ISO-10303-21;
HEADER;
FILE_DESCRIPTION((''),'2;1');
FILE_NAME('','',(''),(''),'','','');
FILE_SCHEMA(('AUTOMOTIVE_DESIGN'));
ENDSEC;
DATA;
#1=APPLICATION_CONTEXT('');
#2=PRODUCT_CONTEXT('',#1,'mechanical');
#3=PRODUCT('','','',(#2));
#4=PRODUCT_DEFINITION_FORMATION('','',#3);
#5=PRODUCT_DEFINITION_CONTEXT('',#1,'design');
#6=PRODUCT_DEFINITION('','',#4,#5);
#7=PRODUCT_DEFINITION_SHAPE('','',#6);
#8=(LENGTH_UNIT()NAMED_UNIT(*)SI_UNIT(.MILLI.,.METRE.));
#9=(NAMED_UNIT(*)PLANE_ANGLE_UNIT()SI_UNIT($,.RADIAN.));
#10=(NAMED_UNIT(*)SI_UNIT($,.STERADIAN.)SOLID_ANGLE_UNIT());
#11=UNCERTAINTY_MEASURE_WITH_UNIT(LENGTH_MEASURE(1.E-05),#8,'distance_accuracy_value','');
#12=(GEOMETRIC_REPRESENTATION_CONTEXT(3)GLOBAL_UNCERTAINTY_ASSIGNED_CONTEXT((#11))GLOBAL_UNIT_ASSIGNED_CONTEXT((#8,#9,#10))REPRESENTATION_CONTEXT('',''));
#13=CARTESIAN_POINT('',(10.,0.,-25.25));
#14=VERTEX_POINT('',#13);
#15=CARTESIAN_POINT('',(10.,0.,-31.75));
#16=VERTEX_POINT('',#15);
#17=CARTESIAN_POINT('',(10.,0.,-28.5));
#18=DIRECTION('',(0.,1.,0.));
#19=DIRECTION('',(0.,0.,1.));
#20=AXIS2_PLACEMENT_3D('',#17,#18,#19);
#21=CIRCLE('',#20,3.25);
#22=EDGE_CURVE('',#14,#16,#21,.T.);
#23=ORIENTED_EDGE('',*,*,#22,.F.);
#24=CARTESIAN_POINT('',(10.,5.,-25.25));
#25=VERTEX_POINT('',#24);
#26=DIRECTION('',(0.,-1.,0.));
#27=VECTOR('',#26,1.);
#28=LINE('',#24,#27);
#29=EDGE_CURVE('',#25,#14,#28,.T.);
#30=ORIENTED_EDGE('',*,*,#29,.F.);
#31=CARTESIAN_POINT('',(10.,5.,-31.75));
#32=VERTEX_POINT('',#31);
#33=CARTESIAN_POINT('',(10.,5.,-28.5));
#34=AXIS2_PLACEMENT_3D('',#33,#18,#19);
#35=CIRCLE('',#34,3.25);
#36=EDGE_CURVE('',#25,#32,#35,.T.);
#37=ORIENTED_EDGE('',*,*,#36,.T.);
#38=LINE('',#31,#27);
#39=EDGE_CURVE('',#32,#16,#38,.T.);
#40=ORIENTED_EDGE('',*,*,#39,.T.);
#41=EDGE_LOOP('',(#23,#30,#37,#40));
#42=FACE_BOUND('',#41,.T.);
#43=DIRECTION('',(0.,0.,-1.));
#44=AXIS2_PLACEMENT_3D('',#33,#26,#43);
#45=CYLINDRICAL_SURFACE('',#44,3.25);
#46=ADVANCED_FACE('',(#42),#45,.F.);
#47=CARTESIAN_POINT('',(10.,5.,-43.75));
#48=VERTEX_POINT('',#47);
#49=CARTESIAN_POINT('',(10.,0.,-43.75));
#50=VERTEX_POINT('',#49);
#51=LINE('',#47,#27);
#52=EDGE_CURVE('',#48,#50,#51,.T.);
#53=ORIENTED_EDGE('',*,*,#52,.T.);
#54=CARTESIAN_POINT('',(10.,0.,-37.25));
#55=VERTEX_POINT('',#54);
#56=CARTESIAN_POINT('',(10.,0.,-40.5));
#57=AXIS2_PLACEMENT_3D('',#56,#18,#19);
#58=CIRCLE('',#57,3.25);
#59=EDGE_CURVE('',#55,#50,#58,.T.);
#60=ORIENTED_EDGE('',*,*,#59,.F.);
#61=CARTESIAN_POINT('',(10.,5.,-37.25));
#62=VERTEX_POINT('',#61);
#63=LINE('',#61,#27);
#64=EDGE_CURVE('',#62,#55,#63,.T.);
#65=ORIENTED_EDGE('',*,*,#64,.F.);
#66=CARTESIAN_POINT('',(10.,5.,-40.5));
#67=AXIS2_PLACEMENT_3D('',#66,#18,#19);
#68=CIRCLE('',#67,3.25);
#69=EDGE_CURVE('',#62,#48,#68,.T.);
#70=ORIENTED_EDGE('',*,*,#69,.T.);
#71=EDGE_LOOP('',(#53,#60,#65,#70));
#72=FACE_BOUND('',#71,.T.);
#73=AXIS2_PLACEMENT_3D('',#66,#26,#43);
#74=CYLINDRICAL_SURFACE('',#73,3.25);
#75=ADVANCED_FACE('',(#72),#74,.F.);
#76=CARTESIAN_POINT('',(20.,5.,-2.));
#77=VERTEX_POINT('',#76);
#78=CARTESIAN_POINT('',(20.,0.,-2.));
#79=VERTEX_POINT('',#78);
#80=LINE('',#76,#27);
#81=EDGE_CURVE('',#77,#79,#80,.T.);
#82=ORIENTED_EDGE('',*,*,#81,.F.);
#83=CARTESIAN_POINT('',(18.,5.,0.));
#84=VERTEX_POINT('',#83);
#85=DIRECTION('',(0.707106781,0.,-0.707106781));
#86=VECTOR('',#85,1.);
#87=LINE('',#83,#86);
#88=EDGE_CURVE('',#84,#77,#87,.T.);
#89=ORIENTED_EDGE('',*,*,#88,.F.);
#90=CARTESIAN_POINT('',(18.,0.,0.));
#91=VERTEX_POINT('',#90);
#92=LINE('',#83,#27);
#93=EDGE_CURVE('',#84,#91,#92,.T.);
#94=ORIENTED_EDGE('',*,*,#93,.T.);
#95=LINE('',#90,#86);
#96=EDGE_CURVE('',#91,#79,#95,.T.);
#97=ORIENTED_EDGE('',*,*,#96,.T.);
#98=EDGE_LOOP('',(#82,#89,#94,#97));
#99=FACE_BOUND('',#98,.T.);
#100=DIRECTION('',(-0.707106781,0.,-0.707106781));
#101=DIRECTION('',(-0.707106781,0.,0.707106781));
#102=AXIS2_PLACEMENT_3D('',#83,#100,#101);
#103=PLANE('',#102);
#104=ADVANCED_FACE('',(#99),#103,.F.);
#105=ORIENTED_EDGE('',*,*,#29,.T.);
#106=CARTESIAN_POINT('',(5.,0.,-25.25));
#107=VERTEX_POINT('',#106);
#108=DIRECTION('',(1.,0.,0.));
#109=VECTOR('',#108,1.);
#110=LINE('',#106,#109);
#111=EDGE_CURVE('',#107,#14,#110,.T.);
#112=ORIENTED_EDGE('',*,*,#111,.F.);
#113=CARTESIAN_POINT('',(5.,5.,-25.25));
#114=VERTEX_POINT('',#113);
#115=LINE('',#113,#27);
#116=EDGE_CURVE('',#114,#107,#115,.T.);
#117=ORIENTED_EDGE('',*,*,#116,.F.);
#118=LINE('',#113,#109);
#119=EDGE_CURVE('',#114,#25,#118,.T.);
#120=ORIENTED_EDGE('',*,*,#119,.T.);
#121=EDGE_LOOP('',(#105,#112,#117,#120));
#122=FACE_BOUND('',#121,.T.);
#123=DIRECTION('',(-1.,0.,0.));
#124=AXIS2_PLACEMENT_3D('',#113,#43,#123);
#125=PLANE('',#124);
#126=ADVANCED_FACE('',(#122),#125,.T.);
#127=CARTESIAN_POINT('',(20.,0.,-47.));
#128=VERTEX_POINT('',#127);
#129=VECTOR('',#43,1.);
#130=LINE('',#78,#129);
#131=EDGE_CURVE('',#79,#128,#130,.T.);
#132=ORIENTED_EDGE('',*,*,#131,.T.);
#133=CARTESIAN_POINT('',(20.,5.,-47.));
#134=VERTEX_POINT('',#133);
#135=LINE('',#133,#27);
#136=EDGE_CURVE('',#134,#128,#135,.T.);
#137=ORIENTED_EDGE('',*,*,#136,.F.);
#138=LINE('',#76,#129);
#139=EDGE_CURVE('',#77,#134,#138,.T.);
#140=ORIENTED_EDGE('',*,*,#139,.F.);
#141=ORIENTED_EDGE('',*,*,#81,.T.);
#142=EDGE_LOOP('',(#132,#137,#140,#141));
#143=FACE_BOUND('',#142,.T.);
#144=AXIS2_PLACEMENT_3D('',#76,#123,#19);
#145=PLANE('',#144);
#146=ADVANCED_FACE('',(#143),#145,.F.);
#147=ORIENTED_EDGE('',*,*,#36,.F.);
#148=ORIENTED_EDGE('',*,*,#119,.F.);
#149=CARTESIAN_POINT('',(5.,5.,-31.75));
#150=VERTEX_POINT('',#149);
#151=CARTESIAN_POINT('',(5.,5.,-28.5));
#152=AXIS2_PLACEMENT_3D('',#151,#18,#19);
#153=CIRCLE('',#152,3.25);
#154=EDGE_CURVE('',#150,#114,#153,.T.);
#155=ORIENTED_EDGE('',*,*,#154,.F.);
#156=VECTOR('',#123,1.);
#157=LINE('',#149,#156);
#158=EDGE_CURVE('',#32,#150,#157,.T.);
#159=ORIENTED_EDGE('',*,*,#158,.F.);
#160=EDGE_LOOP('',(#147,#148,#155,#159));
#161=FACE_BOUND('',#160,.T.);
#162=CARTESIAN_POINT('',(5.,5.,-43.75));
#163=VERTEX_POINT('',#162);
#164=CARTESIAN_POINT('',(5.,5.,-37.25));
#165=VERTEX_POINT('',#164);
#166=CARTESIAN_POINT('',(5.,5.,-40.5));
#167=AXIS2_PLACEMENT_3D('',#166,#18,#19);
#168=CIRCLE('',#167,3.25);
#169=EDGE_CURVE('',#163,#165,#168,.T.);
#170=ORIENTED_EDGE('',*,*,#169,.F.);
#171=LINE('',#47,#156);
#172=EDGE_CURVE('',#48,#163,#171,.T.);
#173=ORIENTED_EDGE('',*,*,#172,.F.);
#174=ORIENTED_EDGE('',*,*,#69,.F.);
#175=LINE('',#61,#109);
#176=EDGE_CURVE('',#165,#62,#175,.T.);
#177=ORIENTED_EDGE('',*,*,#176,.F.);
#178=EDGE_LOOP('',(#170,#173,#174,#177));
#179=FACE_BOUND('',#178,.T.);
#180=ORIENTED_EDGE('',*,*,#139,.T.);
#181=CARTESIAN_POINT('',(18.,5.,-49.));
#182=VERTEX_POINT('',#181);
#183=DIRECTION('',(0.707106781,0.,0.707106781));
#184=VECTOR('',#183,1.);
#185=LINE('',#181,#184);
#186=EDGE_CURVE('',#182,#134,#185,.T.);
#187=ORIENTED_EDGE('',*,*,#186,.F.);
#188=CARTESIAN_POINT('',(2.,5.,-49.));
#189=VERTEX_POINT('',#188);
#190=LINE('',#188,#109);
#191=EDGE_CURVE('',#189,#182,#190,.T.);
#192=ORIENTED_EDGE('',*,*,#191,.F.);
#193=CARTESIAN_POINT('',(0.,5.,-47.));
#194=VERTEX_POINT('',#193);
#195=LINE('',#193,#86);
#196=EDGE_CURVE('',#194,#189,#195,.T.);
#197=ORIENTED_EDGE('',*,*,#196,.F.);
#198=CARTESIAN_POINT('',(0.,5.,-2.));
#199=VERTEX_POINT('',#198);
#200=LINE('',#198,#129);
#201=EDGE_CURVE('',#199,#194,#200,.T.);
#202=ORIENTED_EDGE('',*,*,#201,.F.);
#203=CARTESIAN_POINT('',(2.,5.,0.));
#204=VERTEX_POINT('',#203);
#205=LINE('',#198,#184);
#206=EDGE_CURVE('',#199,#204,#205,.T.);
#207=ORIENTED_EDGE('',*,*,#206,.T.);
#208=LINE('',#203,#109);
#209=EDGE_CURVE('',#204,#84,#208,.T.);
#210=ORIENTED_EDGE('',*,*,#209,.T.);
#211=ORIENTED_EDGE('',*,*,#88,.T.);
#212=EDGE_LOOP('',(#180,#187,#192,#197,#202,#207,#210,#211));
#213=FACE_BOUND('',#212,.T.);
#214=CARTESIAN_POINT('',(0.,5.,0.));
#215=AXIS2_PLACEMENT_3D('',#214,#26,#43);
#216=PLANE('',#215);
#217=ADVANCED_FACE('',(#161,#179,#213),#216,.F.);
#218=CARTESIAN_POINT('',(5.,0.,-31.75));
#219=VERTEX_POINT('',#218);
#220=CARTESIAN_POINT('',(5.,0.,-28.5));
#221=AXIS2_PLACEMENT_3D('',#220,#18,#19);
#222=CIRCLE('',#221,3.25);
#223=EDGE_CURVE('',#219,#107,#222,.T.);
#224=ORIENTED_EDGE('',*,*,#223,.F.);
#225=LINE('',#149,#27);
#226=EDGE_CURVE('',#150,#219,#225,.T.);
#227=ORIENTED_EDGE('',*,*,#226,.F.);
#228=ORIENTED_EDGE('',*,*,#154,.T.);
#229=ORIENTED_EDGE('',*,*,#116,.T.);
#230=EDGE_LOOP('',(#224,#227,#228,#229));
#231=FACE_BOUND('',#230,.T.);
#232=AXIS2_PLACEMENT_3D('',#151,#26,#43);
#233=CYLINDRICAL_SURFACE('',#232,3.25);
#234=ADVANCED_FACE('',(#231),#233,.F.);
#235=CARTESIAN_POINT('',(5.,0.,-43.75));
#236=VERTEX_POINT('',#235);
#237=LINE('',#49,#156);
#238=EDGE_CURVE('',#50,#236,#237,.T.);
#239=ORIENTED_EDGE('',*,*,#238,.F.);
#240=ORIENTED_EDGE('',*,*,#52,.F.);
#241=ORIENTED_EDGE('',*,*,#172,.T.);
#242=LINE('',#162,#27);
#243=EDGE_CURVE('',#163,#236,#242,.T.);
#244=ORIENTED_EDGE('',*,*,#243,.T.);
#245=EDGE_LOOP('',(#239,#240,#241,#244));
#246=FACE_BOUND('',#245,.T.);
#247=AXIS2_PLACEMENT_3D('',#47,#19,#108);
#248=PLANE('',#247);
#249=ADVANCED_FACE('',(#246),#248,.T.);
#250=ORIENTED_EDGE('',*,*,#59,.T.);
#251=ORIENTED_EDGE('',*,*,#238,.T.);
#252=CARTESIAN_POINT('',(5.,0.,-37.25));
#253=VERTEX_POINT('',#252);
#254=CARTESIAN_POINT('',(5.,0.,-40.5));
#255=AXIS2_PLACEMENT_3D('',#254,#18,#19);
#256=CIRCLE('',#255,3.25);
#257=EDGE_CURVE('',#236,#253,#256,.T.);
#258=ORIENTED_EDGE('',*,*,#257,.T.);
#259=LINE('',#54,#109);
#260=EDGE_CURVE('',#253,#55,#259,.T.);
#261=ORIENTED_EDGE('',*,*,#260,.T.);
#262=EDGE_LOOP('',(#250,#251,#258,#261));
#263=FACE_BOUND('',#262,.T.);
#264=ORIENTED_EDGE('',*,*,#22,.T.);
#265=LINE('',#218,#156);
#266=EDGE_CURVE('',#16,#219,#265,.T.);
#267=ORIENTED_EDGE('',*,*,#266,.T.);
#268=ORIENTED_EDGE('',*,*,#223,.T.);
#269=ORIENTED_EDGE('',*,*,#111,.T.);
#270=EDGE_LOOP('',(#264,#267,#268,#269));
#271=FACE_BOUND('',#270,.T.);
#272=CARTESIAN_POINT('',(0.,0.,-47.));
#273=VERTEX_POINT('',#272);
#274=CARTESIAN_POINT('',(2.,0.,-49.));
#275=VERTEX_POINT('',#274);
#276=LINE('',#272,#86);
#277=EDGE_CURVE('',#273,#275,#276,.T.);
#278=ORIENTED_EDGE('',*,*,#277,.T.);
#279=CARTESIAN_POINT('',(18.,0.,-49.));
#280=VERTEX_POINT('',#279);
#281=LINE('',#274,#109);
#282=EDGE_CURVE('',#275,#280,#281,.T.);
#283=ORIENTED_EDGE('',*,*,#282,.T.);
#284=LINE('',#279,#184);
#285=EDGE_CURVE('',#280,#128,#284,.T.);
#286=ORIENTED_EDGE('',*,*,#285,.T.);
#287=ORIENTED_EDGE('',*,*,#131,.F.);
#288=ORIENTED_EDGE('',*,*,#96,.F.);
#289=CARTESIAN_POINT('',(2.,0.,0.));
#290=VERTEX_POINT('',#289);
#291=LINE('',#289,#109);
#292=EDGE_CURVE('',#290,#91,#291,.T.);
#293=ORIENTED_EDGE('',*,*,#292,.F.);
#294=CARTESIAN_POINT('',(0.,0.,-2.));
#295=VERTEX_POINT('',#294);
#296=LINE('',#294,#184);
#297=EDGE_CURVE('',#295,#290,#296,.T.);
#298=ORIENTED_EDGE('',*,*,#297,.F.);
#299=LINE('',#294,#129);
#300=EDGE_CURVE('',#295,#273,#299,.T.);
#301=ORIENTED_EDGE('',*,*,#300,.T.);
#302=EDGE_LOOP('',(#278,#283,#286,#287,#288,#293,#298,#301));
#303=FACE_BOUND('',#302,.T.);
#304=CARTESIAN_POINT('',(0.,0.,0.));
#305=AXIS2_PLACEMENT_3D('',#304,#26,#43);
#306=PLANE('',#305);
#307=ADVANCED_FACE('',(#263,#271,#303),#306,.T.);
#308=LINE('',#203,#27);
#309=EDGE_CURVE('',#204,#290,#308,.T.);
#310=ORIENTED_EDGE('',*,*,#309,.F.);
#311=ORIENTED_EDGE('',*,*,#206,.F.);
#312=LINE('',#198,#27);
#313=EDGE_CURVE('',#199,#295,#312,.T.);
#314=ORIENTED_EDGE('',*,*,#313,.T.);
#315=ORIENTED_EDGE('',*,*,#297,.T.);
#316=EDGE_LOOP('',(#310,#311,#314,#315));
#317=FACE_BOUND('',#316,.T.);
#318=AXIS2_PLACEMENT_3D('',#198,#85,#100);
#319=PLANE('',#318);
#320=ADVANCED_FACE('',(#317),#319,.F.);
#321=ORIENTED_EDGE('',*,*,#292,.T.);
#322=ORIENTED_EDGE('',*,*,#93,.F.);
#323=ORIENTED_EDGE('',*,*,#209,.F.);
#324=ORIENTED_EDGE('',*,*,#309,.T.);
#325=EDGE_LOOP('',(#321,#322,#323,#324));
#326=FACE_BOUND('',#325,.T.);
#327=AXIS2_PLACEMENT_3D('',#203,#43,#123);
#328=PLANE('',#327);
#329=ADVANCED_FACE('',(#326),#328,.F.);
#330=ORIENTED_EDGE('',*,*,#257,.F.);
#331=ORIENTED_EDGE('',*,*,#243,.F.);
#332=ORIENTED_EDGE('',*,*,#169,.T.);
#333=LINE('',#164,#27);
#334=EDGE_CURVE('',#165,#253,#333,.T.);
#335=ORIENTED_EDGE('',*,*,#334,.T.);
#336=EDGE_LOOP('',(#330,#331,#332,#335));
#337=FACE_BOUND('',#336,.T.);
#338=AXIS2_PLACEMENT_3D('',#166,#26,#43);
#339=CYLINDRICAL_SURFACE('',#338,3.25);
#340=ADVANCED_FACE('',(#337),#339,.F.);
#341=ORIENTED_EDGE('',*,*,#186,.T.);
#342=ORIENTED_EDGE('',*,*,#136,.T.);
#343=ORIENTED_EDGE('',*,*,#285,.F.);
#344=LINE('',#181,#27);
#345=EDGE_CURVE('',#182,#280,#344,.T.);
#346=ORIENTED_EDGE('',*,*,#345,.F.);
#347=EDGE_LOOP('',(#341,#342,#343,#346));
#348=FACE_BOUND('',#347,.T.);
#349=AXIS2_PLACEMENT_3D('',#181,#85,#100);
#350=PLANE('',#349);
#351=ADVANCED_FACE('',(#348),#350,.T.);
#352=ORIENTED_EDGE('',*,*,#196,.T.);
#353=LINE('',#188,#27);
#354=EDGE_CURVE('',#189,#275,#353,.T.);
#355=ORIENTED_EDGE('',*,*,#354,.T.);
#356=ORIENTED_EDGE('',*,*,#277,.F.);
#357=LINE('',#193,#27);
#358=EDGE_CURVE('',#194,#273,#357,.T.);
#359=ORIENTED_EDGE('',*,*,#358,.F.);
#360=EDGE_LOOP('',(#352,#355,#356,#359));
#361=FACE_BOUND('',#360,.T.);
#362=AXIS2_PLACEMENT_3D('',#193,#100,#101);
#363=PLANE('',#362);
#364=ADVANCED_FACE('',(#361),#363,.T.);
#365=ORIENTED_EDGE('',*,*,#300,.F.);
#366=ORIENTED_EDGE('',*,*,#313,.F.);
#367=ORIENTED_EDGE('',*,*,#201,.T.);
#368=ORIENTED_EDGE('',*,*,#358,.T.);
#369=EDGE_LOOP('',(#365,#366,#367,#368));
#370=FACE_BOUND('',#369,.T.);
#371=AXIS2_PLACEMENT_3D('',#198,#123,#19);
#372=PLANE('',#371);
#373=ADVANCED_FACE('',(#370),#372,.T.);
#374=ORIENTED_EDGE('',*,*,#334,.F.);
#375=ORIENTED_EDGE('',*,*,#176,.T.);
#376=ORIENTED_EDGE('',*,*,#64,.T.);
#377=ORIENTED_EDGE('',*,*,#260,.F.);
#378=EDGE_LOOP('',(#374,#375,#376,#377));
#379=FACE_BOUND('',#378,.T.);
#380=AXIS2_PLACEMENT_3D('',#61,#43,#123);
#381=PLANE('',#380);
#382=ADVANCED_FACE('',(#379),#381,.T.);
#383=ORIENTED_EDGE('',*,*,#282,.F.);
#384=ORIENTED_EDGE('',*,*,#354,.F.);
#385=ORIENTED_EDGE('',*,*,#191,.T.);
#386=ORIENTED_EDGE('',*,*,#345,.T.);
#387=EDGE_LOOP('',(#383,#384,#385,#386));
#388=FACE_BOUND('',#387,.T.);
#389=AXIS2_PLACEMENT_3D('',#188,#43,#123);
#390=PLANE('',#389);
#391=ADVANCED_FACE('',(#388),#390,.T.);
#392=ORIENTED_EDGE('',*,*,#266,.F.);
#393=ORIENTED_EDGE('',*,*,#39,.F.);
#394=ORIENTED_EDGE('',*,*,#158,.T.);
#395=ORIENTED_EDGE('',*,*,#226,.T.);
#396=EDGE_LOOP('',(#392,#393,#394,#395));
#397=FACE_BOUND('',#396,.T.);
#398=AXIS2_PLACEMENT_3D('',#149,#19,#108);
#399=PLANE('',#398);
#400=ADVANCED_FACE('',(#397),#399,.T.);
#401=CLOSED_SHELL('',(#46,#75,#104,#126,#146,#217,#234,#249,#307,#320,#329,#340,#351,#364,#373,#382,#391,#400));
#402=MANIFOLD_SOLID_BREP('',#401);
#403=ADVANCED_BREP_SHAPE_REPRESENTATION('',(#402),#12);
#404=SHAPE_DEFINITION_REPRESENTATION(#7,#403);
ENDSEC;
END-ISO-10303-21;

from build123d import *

# Parameters (mm, degrees)
BOSS_EXTRUDE1_DEPTH = 5
SKETCH1_5_OUTSIDE_W = 32.632
SKETCH1_5_OUTSIDE_H = 61.632
CUT_EXTRUDE5_DEPTH  = 5


with BuildPart() as part:
    # Sketch1 → Boss-Extrude1 (new body)
    with BuildSketch(Plane(origin=(0, 0, 0), x_dir=(1, 0, 0), z_dir=(0, 1, 0))):
        Polygon((0, 47), (2, 49), (18, 49), (20, 47), (20, 2), (18, 0), (2, 0), (0, 2), align=None)
    extrude(amount=BOSS_EXTRUDE1_DEPTH)

    # Sketch1<5> outside → Cut-Extrude5 (cut)
    # profile 1 of 3: a face of its own
    with BuildSketch(Plane(origin=(0, 0, 0), x_dir=(1, 0, 0), z_dir=(0, 1, 0))):
        with Locations((10, 24.5)):
            Rectangle(SKETCH1_5_OUTSIDE_W, SKETCH1_5_OUTSIDE_H)
        Polygon((0, 47), (2, 49), (18, 49), (20, 47), (20, 2), (18, 0), (2, 0), (0, 2), align=None, mode=Mode.SUBTRACT)
    # profile 2 of 3: a face of its own
    with BuildSketch(Plane(origin=(0, 0, 0), x_dir=(1, 0, 0), z_dir=(0, 1, 0))):
        with BuildLine():
            Line((10, 37.25), (5, 37.25))
            ThreePointArc((5, 37.25), (1.75, 40.5), (5, 43.75))
            Line((5, 43.75), (10, 43.75))
            ThreePointArc((10, 43.75), (13.25, 40.5), (10, 37.25))
        make_face()
    # profile 3 of 3: a face of its own
    with BuildSketch(Plane(origin=(0, 0, 0), x_dir=(1, 0, 0), z_dir=(0, 1, 0))):
        with BuildLine():
            Line((5, 31.75), (10, 31.75))
            ThreePointArc((10, 31.75), (13.25, 28.5), (10, 25.25))
            Line((10, 25.25), (5, 25.25))
            ThreePointArc((5, 25.25), (1.75, 28.5), (5, 31.75))
        make_face()
    extrude(amount=CUT_EXTRUDE5_DEPTH, mode=Mode.SUBTRACT)


solid = part.part
